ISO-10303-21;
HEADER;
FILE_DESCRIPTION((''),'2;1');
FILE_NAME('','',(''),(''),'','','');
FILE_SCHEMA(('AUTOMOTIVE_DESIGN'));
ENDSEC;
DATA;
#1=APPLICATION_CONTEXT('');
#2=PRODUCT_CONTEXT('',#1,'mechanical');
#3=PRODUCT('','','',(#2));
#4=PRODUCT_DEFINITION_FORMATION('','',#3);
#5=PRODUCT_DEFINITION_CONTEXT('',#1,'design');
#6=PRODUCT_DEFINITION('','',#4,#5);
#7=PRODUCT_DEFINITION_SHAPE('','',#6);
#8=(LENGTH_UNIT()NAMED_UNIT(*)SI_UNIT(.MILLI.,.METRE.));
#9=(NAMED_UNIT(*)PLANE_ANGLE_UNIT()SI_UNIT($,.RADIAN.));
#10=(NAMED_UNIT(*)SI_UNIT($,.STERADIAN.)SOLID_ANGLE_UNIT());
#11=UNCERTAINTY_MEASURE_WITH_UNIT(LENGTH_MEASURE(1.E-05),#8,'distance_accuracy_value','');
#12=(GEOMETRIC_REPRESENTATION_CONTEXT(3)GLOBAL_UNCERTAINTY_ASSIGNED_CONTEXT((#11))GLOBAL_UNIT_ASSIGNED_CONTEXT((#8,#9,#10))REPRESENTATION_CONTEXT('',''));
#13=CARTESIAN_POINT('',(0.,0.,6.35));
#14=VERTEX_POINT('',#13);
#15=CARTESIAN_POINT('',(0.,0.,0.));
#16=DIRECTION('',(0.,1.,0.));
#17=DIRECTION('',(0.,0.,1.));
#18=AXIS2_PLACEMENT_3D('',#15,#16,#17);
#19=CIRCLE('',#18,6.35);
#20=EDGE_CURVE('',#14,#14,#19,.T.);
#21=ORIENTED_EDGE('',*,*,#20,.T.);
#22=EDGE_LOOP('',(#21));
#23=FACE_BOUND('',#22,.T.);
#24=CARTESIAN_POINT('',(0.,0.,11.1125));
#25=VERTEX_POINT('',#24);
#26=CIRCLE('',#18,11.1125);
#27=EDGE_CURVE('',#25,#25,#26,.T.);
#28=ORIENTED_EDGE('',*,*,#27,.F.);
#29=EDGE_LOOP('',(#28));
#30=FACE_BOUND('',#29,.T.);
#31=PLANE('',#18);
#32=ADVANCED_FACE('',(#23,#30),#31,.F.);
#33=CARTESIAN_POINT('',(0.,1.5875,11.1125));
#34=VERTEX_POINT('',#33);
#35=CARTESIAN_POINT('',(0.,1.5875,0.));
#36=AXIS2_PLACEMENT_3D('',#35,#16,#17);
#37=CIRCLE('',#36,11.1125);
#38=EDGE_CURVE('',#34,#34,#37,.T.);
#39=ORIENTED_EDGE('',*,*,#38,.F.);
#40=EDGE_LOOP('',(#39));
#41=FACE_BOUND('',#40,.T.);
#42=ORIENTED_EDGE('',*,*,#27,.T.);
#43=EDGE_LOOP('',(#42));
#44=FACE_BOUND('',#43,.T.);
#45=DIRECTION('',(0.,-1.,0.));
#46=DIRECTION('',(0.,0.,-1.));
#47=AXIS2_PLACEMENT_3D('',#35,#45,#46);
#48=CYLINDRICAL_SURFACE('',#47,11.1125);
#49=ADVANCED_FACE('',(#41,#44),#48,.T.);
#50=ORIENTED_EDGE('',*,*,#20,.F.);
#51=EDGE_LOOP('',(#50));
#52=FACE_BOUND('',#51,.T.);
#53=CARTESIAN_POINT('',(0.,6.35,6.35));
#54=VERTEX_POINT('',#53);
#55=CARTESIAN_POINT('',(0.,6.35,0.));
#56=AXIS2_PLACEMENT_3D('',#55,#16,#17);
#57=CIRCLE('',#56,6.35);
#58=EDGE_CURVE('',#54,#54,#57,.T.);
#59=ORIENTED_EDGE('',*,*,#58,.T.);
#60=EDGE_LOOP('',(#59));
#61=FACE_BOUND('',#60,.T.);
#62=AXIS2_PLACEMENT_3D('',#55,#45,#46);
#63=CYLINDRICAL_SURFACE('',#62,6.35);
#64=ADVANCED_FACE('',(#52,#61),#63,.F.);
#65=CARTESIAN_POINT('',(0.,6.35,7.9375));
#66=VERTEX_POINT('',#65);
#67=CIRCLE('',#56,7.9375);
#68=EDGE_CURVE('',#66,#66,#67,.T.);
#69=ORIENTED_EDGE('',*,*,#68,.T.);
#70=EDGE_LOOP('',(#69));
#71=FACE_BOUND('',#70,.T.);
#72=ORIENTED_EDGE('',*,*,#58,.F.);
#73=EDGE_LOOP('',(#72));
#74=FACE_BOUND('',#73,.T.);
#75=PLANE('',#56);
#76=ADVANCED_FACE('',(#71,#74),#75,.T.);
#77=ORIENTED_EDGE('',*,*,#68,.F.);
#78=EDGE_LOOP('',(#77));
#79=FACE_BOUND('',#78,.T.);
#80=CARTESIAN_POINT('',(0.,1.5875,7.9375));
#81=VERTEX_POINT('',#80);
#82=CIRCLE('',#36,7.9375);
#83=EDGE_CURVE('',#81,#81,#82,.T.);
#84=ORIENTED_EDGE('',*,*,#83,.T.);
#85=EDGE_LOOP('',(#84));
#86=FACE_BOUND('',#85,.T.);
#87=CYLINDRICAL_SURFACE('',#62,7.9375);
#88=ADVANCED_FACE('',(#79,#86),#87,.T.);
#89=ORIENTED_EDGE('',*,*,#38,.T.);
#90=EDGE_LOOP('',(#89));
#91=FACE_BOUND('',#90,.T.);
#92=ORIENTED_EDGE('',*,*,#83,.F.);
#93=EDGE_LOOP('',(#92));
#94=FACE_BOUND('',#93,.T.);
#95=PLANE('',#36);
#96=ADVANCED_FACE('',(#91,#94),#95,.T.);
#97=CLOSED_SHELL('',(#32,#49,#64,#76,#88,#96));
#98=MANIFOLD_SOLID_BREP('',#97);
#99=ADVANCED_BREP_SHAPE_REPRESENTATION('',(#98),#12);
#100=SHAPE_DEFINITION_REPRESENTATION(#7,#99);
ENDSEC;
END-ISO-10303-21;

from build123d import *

# Parameters (mm, degrees)
SKETCH2_R           = 7.9375
SKETCH2_R_2         = 6.35
BOSS_EXTRUDE1_DEPTH = 6.35
SKETCH3_R           = 11.1125
SKETCH3_R_2         = 7.9375
BOSS_EXTRUDE2_DEPTH = 1.5875


with BuildPart() as part:
    # Sketch2 → Boss-Extrude1 (new body)
    with BuildSketch(Plane(origin=(0, 0, 0), x_dir=(1, 0, 0), z_dir=(0, 1, 0))):
        Circle(SKETCH2_R)
        Circle(SKETCH2_R_2, mode=Mode.SUBTRACT)
    extrude(amount=BOSS_EXTRUDE1_DEPTH)

    # Sketch3 → Boss-Extrude2 (add)
    with BuildSketch(Plane(origin=(0, 0, 0), x_dir=(1, 0, 0), z_dir=(0, 1, 0))):
        Circle(SKETCH3_R)
        Circle(SKETCH3_R_2, mode=Mode.SUBTRACT)
    extrude(amount=BOSS_EXTRUDE2_DEPTH)


solid = part.part
